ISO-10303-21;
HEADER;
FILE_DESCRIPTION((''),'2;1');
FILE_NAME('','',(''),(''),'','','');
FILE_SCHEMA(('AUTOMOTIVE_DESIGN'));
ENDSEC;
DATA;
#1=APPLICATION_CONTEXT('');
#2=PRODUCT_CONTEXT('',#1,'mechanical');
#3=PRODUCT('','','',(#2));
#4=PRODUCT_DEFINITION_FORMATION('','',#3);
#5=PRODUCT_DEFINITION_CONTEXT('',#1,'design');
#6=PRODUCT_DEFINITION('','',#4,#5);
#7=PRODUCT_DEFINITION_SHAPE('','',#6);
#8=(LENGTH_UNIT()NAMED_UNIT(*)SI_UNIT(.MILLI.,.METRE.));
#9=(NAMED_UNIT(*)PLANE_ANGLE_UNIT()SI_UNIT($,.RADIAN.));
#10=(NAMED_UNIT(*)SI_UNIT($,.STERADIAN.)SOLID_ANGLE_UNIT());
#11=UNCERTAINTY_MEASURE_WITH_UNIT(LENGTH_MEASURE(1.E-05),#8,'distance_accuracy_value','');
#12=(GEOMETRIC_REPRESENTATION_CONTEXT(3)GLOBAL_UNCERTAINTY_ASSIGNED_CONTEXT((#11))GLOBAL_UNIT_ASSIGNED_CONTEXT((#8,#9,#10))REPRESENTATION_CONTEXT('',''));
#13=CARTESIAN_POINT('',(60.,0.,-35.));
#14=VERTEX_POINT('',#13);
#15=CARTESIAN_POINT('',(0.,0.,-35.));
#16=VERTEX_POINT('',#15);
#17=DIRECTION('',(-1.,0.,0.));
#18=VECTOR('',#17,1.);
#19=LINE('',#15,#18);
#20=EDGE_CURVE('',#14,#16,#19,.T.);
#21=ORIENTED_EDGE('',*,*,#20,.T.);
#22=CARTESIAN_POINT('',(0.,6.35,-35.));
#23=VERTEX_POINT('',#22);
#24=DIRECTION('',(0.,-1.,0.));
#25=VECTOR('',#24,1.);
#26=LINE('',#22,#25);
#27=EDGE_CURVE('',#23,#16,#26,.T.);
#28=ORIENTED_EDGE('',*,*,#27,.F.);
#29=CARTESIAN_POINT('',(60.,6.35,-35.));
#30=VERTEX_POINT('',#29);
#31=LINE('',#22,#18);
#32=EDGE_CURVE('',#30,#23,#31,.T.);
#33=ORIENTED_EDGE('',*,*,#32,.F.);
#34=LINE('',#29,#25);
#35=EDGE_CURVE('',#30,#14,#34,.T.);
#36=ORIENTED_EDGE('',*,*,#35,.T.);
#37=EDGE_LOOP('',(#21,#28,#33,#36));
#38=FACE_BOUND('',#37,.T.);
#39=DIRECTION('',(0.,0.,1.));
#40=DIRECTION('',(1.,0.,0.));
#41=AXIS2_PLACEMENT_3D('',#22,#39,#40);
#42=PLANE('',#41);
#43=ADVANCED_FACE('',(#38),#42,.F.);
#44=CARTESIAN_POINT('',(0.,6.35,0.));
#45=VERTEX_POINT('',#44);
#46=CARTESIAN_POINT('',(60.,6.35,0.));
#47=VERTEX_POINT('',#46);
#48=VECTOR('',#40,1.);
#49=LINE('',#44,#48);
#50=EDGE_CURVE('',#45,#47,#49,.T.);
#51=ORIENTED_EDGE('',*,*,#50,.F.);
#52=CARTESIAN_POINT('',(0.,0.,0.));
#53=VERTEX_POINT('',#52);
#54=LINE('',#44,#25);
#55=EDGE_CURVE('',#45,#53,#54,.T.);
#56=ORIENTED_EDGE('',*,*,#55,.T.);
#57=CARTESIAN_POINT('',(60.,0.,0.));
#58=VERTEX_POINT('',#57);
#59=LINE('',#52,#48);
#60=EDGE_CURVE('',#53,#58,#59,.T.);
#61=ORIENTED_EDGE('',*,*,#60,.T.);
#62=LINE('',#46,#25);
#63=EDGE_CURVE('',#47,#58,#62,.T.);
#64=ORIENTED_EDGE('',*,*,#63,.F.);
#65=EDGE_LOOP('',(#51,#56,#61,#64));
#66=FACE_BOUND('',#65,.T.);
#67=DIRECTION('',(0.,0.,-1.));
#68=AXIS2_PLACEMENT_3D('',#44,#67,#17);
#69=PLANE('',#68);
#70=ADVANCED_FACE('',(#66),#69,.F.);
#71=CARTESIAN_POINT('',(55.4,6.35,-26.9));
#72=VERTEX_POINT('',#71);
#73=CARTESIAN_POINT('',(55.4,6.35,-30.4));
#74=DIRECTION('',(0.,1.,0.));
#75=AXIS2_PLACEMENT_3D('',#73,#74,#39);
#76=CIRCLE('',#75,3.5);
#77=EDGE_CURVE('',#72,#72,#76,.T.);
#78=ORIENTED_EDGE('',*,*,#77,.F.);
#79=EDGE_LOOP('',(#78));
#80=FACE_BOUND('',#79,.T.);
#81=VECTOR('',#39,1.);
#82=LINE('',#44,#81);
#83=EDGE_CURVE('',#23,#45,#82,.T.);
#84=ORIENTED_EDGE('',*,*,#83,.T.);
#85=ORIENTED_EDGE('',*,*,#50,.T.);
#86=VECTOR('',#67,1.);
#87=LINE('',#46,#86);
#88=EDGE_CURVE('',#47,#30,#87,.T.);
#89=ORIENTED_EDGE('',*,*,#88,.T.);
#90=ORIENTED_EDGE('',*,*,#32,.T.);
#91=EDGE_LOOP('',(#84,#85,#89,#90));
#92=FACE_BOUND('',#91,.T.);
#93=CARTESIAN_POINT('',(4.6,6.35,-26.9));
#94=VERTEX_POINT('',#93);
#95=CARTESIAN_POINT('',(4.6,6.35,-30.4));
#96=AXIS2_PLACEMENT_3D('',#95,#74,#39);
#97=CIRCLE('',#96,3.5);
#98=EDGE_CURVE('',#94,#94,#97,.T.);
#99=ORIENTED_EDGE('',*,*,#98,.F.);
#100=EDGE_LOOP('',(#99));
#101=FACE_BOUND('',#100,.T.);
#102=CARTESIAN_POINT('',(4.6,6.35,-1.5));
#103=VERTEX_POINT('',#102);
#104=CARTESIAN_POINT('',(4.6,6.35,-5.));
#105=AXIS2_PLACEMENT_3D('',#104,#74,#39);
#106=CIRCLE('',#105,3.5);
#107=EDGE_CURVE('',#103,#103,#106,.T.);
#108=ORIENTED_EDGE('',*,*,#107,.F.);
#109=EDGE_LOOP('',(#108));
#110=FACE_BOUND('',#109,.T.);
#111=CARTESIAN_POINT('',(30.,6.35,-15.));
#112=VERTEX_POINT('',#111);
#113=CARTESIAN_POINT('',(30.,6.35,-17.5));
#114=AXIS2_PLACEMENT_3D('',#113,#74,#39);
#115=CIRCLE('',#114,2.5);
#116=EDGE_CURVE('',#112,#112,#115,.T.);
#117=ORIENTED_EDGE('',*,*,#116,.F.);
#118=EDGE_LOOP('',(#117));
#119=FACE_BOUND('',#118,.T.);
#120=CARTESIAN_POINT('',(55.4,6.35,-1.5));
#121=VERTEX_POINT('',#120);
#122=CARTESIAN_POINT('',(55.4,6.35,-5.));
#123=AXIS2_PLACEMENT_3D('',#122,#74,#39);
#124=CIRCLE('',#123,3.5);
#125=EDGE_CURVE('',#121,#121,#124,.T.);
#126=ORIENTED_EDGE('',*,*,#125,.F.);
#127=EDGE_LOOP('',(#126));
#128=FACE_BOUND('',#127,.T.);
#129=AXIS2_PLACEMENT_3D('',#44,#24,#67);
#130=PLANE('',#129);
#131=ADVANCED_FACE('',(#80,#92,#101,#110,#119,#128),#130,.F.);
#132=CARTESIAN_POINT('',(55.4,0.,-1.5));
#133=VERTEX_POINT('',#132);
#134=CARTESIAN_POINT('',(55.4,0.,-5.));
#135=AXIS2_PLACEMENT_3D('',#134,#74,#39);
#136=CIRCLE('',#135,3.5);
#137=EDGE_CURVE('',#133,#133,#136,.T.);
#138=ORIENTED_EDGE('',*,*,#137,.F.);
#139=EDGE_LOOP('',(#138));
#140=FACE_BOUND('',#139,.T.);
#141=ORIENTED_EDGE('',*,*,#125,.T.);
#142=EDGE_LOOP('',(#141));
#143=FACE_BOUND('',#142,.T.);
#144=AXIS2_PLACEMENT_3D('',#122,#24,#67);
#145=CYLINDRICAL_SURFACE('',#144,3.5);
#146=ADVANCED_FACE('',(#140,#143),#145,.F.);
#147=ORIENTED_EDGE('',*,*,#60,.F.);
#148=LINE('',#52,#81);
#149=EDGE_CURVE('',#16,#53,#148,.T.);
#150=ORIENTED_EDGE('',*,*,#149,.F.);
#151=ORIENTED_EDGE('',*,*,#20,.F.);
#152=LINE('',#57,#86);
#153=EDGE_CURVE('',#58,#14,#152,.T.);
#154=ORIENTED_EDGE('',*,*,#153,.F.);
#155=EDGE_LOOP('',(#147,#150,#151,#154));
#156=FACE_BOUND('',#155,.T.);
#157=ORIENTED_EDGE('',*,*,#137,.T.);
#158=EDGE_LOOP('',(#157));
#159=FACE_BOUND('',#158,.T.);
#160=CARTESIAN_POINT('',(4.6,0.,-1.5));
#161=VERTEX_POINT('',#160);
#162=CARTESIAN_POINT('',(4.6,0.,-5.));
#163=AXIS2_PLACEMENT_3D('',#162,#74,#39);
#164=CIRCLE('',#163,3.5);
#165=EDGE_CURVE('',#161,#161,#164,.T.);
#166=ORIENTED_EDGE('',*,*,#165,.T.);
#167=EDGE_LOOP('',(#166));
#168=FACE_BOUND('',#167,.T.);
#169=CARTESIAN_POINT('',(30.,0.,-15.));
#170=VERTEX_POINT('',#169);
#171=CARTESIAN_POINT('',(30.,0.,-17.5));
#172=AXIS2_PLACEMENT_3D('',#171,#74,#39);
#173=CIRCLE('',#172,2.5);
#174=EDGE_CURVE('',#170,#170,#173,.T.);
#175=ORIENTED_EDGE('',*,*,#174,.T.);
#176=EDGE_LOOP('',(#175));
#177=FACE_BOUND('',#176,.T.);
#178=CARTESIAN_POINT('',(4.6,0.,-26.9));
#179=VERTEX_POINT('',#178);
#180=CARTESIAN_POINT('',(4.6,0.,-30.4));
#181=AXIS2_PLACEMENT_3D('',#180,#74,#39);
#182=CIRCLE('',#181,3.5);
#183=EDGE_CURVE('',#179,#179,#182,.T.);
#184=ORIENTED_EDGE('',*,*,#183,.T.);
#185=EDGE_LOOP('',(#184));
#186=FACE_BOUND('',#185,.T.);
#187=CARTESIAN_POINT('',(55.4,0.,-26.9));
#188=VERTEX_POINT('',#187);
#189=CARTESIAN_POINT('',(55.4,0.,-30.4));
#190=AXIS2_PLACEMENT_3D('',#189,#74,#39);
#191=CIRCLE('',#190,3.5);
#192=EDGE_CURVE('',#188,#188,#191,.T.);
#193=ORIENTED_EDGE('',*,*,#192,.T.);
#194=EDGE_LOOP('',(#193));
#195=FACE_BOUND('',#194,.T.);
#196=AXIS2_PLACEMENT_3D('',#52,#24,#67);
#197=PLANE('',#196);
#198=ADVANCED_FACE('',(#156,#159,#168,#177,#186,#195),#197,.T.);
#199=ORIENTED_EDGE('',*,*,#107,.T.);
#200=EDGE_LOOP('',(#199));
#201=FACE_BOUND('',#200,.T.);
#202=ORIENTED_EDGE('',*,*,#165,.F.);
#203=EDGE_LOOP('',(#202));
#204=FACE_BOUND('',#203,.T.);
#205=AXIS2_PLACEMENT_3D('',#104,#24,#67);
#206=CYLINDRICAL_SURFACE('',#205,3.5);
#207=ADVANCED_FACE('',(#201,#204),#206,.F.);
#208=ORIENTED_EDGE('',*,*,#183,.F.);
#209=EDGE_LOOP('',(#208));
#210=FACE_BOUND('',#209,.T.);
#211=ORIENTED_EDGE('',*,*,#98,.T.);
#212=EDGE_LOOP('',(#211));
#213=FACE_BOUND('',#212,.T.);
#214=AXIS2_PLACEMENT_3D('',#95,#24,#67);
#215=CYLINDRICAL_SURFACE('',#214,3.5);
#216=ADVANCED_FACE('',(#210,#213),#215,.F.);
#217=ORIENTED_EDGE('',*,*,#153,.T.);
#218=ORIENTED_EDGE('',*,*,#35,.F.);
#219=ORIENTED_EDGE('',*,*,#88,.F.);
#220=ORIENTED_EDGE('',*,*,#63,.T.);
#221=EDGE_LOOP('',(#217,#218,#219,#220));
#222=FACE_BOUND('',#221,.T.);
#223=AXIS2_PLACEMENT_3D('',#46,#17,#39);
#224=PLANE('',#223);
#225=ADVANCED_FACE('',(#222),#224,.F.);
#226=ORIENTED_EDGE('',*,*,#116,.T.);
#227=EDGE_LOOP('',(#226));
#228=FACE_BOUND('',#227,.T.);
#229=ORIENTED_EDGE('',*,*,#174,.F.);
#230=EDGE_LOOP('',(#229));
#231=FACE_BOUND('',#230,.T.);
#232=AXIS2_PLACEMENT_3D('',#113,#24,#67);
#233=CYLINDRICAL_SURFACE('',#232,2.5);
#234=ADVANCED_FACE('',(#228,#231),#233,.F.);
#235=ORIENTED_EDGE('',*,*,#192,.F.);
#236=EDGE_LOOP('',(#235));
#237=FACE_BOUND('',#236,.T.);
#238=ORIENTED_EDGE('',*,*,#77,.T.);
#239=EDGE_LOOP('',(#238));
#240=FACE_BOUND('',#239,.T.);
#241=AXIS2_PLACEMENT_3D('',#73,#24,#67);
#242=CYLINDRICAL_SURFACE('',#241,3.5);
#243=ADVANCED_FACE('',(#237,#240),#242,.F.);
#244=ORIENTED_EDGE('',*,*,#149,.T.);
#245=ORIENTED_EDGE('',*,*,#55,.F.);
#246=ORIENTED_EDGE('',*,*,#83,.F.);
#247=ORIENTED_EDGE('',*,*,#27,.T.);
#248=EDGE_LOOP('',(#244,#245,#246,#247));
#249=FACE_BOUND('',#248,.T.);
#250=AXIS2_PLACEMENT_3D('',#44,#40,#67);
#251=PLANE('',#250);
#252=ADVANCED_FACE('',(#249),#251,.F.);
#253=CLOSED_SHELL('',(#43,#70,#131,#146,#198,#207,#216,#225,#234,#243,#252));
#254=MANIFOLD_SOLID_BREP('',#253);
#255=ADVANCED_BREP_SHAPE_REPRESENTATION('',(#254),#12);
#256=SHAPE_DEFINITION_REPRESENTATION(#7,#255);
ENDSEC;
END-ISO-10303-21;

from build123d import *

# Parameters (mm, degrees)
SKETCH1_W           = 60
SKETCH1_H           = 35
SKETCH1_R           = 3.5
SKETCH1_R_2         = 2.5
BOSS_EXTRUDE1_DEPTH = 6.35


with BuildPart() as part:
    # Sketch1 → Boss-Extrude1 (new body)
    with BuildSketch(Plane(origin=(0, 0, 0), x_dir=(1, 0, 0), z_dir=(0, 1, 0))):
        with Locations((30, 17.5)):
            Rectangle(SKETCH1_W, SKETCH1_H)
        with Locations((4.6, 30.4)):
            Circle(SKETCH1_R, mode=Mode.SUBTRACT)
        with Locations((55.4, 30.4)):
            Circle(SKETCH1_R, mode=Mode.SUBTRACT)
        with Locations((4.6, 5)):
            Circle(SKETCH1_R, mode=Mode.SUBTRACT)
        with Locations((55.4, 5)):
            Circle(SKETCH1_R, mode=Mode.SUBTRACT)
        with Locations((30, 17.5)):
            Circle(SKETCH1_R_2, mode=Mode.SUBTRACT)
    extrude(amount=BOSS_EXTRUDE1_DEPTH)


solid = part.part
